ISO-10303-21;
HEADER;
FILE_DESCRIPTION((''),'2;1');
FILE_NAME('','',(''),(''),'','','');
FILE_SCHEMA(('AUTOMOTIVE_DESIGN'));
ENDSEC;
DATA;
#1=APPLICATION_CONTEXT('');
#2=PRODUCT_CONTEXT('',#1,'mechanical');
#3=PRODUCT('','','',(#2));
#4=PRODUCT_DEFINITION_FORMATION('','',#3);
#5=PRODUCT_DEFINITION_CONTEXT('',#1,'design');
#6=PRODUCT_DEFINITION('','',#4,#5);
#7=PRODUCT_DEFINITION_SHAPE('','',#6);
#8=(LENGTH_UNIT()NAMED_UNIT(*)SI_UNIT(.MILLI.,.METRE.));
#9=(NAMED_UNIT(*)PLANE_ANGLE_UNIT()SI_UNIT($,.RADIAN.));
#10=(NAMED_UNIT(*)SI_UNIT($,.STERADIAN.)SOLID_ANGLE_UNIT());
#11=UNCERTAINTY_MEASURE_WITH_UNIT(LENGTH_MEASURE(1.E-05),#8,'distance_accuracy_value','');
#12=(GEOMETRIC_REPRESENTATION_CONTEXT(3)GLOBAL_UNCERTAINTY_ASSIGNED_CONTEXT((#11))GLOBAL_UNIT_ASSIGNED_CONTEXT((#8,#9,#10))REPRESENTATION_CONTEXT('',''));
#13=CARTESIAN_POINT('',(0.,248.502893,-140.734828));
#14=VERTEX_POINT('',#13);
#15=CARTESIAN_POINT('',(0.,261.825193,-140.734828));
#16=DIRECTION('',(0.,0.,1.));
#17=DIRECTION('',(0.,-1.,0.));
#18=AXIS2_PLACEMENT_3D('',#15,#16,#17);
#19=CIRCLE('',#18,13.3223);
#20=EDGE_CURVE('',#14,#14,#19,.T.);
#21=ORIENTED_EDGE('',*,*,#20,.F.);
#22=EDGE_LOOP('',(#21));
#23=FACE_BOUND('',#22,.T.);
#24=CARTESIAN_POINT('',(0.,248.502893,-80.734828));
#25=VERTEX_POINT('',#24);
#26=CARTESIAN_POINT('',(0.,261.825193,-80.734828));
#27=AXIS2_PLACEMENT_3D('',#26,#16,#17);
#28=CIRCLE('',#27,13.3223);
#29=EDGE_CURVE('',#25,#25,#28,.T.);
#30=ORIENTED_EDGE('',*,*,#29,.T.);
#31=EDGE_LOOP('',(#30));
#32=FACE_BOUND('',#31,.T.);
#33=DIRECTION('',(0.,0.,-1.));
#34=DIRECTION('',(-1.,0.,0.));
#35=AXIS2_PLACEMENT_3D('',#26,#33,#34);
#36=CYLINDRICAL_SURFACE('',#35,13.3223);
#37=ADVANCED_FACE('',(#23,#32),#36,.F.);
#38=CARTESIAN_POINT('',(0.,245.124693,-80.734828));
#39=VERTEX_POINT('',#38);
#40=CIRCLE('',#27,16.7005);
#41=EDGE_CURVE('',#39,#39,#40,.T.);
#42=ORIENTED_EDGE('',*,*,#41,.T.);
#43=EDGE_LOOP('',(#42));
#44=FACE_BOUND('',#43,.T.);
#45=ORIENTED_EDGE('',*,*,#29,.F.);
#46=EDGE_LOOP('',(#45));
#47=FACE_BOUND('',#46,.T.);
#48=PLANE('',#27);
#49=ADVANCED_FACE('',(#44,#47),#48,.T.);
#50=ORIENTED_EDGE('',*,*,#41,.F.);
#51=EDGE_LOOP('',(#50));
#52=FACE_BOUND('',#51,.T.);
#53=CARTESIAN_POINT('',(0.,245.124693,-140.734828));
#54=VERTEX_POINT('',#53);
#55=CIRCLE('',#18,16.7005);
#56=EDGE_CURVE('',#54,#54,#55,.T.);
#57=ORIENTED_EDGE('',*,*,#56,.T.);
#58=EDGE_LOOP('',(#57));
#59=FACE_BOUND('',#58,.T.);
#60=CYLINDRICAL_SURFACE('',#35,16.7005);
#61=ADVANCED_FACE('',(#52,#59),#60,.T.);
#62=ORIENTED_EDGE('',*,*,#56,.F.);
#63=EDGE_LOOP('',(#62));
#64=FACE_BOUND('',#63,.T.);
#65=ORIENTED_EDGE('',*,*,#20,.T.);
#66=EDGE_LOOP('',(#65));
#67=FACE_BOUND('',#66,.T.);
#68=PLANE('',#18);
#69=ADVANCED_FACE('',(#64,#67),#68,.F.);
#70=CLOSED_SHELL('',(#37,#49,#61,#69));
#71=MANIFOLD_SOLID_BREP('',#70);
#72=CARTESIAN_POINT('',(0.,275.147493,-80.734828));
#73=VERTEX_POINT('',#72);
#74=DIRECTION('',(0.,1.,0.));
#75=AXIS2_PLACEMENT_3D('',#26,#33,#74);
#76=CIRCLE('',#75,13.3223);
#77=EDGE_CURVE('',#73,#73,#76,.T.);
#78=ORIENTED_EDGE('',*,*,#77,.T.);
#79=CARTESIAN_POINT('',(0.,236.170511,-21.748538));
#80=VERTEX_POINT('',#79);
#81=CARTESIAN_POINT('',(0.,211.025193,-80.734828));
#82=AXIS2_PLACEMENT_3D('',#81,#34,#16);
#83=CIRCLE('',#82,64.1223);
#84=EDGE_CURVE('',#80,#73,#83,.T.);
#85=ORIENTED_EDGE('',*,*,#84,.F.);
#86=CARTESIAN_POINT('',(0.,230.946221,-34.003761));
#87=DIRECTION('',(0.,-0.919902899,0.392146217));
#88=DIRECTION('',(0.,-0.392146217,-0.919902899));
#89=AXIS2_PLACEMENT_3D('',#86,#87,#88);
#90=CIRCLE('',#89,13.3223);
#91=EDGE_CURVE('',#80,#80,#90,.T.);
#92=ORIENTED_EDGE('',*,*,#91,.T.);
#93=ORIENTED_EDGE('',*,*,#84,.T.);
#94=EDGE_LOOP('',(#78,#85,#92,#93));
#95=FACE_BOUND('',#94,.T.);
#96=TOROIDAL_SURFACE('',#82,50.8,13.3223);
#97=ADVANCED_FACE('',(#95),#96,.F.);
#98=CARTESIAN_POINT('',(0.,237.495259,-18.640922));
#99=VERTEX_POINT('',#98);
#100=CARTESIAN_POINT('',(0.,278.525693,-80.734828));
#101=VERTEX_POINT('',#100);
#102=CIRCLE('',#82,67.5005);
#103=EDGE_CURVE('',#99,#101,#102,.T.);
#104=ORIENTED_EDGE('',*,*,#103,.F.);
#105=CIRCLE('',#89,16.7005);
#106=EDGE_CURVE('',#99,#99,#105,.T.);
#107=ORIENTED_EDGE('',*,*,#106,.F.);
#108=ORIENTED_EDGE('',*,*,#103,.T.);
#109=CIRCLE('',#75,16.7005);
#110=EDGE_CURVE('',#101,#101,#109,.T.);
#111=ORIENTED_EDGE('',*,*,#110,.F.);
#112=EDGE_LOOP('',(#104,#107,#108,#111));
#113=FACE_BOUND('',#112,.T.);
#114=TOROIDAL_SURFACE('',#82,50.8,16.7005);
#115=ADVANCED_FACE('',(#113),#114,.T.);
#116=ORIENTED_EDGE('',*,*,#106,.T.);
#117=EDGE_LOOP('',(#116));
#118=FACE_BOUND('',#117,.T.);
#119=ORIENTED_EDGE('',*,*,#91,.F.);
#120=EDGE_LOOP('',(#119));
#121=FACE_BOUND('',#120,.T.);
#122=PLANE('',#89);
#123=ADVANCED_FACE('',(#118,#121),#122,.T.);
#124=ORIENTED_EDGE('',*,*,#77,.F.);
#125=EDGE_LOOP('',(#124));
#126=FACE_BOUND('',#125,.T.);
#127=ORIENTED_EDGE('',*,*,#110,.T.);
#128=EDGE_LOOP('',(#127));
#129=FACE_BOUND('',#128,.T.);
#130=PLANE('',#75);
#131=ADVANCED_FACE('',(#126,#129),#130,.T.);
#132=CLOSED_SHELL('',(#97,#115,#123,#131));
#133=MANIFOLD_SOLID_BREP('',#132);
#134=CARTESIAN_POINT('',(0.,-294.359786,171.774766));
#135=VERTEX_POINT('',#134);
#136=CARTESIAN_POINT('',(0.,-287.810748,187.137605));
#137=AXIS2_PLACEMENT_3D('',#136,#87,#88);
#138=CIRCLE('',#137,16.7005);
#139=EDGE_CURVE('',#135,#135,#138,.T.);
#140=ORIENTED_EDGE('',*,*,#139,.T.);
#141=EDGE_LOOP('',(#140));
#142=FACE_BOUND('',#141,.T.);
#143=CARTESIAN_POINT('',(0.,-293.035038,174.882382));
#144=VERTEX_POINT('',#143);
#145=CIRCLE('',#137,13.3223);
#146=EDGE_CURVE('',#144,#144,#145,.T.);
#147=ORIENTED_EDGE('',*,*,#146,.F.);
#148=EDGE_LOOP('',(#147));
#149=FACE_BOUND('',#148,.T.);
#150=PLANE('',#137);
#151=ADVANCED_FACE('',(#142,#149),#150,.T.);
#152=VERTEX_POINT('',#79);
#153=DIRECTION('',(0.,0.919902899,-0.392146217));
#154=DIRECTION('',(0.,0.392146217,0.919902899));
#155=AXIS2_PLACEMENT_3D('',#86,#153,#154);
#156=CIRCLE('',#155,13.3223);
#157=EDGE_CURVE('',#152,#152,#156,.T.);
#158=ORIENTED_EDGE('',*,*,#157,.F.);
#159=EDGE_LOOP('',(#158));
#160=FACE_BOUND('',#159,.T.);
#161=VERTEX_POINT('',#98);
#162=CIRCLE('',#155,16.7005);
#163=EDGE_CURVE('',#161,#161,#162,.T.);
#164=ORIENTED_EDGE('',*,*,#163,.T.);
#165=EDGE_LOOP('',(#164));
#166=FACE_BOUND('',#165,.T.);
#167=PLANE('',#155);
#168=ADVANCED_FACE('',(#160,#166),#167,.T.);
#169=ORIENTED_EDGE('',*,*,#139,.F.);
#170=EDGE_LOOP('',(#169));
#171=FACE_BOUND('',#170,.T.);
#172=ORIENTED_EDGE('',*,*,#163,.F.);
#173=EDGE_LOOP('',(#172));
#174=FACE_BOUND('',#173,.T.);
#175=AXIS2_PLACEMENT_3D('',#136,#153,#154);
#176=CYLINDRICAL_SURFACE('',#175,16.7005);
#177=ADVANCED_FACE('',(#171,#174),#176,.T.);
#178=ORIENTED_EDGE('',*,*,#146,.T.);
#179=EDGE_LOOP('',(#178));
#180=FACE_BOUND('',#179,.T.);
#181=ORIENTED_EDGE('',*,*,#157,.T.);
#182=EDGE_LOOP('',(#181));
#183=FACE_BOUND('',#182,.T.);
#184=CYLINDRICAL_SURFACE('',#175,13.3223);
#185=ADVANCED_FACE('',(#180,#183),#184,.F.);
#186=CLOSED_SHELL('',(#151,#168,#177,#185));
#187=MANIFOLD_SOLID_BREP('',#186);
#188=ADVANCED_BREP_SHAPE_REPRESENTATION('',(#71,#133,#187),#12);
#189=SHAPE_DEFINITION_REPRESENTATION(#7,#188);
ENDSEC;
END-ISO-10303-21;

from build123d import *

# Parameters (mm, degrees)
SKETCH1_ON_SEGMENT_1_R       = 16.7005
SKETCH1_ON_SEGMENT_1_R_2     = 13.3223
MIEMBRO_ESTRUCTURAL1_DEPTH   = 60
SKETCH1_ON_SEGMENT_2_R       = 16.7005
SKETCH1_ON_SEGMENT_2_R_2     = 13.3223
MIEMBRO_ESTRUCTURAL1_2_ANGLE = 66.911890628
SKETCH1_R                    = 16.7005
SKETCH1_R_2                  = 13.3223
MIEMBRO_ESTRUCTURAL1_3_DEPTH = 563.925789853


with BuildPart() as part:
    # Sketch1 on segment 1 (carried to segment 1) → Miembro estructural1 (new body)
    with BuildSketch(Plane(origin=(0, 261.82519321, -140.734827912), x_dir=(0, -1, 0), z_dir=(0, 0, 1))):
        Circle(SKETCH1_ON_SEGMENT_1_R)
        Circle(SKETCH1_ON_SEGMENT_1_R_2, mode=Mode.SUBTRACT)
    extrude(amount=MIEMBRO_ESTRUCTURAL1_DEPTH)


with BuildPart() as body_2:
    # Sketch1 on segment 2 (carried to the start of arc 2) → Miembro estructural1 2 (revolve)
    with BuildSketch(Plane(origin=(0, 261.82519321, -80.734827912), x_dir=(0, -1, 0), z_dir=(0, 0, 1))):
        Circle(SKETCH1_ON_SEGMENT_2_R)
        Circle(SKETCH1_ON_SEGMENT_2_R_2, mode=Mode.SUBTRACT)
    revolve(axis=Axis((0, 211.02519321, -80.734827912), (1, 0, 0)), revolution_arc=MIEMBRO_ESTRUCTURAL1_2_ANGLE)


with BuildPart() as body_3:
    # Sketch1 → Miembro estructural1 3 (new body)
    with BuildSketch(Plane(origin=(0, 230.946221036, -34.003760619), x_dir=(0, -0.3921462170451, -0.9199028994721221), z_dir=(0, -0.9199028994721222, 0.3921462170451001))):
        Circle(SKETCH1_R)
        Circle(SKETCH1_R_2, mode=Mode.SUBTRACT)
    extrude(amount=MIEMBRO_ESTRUCTURAL1_3_DEPTH)


solid = Compound([part.part, body_2.part, body_3.part])
